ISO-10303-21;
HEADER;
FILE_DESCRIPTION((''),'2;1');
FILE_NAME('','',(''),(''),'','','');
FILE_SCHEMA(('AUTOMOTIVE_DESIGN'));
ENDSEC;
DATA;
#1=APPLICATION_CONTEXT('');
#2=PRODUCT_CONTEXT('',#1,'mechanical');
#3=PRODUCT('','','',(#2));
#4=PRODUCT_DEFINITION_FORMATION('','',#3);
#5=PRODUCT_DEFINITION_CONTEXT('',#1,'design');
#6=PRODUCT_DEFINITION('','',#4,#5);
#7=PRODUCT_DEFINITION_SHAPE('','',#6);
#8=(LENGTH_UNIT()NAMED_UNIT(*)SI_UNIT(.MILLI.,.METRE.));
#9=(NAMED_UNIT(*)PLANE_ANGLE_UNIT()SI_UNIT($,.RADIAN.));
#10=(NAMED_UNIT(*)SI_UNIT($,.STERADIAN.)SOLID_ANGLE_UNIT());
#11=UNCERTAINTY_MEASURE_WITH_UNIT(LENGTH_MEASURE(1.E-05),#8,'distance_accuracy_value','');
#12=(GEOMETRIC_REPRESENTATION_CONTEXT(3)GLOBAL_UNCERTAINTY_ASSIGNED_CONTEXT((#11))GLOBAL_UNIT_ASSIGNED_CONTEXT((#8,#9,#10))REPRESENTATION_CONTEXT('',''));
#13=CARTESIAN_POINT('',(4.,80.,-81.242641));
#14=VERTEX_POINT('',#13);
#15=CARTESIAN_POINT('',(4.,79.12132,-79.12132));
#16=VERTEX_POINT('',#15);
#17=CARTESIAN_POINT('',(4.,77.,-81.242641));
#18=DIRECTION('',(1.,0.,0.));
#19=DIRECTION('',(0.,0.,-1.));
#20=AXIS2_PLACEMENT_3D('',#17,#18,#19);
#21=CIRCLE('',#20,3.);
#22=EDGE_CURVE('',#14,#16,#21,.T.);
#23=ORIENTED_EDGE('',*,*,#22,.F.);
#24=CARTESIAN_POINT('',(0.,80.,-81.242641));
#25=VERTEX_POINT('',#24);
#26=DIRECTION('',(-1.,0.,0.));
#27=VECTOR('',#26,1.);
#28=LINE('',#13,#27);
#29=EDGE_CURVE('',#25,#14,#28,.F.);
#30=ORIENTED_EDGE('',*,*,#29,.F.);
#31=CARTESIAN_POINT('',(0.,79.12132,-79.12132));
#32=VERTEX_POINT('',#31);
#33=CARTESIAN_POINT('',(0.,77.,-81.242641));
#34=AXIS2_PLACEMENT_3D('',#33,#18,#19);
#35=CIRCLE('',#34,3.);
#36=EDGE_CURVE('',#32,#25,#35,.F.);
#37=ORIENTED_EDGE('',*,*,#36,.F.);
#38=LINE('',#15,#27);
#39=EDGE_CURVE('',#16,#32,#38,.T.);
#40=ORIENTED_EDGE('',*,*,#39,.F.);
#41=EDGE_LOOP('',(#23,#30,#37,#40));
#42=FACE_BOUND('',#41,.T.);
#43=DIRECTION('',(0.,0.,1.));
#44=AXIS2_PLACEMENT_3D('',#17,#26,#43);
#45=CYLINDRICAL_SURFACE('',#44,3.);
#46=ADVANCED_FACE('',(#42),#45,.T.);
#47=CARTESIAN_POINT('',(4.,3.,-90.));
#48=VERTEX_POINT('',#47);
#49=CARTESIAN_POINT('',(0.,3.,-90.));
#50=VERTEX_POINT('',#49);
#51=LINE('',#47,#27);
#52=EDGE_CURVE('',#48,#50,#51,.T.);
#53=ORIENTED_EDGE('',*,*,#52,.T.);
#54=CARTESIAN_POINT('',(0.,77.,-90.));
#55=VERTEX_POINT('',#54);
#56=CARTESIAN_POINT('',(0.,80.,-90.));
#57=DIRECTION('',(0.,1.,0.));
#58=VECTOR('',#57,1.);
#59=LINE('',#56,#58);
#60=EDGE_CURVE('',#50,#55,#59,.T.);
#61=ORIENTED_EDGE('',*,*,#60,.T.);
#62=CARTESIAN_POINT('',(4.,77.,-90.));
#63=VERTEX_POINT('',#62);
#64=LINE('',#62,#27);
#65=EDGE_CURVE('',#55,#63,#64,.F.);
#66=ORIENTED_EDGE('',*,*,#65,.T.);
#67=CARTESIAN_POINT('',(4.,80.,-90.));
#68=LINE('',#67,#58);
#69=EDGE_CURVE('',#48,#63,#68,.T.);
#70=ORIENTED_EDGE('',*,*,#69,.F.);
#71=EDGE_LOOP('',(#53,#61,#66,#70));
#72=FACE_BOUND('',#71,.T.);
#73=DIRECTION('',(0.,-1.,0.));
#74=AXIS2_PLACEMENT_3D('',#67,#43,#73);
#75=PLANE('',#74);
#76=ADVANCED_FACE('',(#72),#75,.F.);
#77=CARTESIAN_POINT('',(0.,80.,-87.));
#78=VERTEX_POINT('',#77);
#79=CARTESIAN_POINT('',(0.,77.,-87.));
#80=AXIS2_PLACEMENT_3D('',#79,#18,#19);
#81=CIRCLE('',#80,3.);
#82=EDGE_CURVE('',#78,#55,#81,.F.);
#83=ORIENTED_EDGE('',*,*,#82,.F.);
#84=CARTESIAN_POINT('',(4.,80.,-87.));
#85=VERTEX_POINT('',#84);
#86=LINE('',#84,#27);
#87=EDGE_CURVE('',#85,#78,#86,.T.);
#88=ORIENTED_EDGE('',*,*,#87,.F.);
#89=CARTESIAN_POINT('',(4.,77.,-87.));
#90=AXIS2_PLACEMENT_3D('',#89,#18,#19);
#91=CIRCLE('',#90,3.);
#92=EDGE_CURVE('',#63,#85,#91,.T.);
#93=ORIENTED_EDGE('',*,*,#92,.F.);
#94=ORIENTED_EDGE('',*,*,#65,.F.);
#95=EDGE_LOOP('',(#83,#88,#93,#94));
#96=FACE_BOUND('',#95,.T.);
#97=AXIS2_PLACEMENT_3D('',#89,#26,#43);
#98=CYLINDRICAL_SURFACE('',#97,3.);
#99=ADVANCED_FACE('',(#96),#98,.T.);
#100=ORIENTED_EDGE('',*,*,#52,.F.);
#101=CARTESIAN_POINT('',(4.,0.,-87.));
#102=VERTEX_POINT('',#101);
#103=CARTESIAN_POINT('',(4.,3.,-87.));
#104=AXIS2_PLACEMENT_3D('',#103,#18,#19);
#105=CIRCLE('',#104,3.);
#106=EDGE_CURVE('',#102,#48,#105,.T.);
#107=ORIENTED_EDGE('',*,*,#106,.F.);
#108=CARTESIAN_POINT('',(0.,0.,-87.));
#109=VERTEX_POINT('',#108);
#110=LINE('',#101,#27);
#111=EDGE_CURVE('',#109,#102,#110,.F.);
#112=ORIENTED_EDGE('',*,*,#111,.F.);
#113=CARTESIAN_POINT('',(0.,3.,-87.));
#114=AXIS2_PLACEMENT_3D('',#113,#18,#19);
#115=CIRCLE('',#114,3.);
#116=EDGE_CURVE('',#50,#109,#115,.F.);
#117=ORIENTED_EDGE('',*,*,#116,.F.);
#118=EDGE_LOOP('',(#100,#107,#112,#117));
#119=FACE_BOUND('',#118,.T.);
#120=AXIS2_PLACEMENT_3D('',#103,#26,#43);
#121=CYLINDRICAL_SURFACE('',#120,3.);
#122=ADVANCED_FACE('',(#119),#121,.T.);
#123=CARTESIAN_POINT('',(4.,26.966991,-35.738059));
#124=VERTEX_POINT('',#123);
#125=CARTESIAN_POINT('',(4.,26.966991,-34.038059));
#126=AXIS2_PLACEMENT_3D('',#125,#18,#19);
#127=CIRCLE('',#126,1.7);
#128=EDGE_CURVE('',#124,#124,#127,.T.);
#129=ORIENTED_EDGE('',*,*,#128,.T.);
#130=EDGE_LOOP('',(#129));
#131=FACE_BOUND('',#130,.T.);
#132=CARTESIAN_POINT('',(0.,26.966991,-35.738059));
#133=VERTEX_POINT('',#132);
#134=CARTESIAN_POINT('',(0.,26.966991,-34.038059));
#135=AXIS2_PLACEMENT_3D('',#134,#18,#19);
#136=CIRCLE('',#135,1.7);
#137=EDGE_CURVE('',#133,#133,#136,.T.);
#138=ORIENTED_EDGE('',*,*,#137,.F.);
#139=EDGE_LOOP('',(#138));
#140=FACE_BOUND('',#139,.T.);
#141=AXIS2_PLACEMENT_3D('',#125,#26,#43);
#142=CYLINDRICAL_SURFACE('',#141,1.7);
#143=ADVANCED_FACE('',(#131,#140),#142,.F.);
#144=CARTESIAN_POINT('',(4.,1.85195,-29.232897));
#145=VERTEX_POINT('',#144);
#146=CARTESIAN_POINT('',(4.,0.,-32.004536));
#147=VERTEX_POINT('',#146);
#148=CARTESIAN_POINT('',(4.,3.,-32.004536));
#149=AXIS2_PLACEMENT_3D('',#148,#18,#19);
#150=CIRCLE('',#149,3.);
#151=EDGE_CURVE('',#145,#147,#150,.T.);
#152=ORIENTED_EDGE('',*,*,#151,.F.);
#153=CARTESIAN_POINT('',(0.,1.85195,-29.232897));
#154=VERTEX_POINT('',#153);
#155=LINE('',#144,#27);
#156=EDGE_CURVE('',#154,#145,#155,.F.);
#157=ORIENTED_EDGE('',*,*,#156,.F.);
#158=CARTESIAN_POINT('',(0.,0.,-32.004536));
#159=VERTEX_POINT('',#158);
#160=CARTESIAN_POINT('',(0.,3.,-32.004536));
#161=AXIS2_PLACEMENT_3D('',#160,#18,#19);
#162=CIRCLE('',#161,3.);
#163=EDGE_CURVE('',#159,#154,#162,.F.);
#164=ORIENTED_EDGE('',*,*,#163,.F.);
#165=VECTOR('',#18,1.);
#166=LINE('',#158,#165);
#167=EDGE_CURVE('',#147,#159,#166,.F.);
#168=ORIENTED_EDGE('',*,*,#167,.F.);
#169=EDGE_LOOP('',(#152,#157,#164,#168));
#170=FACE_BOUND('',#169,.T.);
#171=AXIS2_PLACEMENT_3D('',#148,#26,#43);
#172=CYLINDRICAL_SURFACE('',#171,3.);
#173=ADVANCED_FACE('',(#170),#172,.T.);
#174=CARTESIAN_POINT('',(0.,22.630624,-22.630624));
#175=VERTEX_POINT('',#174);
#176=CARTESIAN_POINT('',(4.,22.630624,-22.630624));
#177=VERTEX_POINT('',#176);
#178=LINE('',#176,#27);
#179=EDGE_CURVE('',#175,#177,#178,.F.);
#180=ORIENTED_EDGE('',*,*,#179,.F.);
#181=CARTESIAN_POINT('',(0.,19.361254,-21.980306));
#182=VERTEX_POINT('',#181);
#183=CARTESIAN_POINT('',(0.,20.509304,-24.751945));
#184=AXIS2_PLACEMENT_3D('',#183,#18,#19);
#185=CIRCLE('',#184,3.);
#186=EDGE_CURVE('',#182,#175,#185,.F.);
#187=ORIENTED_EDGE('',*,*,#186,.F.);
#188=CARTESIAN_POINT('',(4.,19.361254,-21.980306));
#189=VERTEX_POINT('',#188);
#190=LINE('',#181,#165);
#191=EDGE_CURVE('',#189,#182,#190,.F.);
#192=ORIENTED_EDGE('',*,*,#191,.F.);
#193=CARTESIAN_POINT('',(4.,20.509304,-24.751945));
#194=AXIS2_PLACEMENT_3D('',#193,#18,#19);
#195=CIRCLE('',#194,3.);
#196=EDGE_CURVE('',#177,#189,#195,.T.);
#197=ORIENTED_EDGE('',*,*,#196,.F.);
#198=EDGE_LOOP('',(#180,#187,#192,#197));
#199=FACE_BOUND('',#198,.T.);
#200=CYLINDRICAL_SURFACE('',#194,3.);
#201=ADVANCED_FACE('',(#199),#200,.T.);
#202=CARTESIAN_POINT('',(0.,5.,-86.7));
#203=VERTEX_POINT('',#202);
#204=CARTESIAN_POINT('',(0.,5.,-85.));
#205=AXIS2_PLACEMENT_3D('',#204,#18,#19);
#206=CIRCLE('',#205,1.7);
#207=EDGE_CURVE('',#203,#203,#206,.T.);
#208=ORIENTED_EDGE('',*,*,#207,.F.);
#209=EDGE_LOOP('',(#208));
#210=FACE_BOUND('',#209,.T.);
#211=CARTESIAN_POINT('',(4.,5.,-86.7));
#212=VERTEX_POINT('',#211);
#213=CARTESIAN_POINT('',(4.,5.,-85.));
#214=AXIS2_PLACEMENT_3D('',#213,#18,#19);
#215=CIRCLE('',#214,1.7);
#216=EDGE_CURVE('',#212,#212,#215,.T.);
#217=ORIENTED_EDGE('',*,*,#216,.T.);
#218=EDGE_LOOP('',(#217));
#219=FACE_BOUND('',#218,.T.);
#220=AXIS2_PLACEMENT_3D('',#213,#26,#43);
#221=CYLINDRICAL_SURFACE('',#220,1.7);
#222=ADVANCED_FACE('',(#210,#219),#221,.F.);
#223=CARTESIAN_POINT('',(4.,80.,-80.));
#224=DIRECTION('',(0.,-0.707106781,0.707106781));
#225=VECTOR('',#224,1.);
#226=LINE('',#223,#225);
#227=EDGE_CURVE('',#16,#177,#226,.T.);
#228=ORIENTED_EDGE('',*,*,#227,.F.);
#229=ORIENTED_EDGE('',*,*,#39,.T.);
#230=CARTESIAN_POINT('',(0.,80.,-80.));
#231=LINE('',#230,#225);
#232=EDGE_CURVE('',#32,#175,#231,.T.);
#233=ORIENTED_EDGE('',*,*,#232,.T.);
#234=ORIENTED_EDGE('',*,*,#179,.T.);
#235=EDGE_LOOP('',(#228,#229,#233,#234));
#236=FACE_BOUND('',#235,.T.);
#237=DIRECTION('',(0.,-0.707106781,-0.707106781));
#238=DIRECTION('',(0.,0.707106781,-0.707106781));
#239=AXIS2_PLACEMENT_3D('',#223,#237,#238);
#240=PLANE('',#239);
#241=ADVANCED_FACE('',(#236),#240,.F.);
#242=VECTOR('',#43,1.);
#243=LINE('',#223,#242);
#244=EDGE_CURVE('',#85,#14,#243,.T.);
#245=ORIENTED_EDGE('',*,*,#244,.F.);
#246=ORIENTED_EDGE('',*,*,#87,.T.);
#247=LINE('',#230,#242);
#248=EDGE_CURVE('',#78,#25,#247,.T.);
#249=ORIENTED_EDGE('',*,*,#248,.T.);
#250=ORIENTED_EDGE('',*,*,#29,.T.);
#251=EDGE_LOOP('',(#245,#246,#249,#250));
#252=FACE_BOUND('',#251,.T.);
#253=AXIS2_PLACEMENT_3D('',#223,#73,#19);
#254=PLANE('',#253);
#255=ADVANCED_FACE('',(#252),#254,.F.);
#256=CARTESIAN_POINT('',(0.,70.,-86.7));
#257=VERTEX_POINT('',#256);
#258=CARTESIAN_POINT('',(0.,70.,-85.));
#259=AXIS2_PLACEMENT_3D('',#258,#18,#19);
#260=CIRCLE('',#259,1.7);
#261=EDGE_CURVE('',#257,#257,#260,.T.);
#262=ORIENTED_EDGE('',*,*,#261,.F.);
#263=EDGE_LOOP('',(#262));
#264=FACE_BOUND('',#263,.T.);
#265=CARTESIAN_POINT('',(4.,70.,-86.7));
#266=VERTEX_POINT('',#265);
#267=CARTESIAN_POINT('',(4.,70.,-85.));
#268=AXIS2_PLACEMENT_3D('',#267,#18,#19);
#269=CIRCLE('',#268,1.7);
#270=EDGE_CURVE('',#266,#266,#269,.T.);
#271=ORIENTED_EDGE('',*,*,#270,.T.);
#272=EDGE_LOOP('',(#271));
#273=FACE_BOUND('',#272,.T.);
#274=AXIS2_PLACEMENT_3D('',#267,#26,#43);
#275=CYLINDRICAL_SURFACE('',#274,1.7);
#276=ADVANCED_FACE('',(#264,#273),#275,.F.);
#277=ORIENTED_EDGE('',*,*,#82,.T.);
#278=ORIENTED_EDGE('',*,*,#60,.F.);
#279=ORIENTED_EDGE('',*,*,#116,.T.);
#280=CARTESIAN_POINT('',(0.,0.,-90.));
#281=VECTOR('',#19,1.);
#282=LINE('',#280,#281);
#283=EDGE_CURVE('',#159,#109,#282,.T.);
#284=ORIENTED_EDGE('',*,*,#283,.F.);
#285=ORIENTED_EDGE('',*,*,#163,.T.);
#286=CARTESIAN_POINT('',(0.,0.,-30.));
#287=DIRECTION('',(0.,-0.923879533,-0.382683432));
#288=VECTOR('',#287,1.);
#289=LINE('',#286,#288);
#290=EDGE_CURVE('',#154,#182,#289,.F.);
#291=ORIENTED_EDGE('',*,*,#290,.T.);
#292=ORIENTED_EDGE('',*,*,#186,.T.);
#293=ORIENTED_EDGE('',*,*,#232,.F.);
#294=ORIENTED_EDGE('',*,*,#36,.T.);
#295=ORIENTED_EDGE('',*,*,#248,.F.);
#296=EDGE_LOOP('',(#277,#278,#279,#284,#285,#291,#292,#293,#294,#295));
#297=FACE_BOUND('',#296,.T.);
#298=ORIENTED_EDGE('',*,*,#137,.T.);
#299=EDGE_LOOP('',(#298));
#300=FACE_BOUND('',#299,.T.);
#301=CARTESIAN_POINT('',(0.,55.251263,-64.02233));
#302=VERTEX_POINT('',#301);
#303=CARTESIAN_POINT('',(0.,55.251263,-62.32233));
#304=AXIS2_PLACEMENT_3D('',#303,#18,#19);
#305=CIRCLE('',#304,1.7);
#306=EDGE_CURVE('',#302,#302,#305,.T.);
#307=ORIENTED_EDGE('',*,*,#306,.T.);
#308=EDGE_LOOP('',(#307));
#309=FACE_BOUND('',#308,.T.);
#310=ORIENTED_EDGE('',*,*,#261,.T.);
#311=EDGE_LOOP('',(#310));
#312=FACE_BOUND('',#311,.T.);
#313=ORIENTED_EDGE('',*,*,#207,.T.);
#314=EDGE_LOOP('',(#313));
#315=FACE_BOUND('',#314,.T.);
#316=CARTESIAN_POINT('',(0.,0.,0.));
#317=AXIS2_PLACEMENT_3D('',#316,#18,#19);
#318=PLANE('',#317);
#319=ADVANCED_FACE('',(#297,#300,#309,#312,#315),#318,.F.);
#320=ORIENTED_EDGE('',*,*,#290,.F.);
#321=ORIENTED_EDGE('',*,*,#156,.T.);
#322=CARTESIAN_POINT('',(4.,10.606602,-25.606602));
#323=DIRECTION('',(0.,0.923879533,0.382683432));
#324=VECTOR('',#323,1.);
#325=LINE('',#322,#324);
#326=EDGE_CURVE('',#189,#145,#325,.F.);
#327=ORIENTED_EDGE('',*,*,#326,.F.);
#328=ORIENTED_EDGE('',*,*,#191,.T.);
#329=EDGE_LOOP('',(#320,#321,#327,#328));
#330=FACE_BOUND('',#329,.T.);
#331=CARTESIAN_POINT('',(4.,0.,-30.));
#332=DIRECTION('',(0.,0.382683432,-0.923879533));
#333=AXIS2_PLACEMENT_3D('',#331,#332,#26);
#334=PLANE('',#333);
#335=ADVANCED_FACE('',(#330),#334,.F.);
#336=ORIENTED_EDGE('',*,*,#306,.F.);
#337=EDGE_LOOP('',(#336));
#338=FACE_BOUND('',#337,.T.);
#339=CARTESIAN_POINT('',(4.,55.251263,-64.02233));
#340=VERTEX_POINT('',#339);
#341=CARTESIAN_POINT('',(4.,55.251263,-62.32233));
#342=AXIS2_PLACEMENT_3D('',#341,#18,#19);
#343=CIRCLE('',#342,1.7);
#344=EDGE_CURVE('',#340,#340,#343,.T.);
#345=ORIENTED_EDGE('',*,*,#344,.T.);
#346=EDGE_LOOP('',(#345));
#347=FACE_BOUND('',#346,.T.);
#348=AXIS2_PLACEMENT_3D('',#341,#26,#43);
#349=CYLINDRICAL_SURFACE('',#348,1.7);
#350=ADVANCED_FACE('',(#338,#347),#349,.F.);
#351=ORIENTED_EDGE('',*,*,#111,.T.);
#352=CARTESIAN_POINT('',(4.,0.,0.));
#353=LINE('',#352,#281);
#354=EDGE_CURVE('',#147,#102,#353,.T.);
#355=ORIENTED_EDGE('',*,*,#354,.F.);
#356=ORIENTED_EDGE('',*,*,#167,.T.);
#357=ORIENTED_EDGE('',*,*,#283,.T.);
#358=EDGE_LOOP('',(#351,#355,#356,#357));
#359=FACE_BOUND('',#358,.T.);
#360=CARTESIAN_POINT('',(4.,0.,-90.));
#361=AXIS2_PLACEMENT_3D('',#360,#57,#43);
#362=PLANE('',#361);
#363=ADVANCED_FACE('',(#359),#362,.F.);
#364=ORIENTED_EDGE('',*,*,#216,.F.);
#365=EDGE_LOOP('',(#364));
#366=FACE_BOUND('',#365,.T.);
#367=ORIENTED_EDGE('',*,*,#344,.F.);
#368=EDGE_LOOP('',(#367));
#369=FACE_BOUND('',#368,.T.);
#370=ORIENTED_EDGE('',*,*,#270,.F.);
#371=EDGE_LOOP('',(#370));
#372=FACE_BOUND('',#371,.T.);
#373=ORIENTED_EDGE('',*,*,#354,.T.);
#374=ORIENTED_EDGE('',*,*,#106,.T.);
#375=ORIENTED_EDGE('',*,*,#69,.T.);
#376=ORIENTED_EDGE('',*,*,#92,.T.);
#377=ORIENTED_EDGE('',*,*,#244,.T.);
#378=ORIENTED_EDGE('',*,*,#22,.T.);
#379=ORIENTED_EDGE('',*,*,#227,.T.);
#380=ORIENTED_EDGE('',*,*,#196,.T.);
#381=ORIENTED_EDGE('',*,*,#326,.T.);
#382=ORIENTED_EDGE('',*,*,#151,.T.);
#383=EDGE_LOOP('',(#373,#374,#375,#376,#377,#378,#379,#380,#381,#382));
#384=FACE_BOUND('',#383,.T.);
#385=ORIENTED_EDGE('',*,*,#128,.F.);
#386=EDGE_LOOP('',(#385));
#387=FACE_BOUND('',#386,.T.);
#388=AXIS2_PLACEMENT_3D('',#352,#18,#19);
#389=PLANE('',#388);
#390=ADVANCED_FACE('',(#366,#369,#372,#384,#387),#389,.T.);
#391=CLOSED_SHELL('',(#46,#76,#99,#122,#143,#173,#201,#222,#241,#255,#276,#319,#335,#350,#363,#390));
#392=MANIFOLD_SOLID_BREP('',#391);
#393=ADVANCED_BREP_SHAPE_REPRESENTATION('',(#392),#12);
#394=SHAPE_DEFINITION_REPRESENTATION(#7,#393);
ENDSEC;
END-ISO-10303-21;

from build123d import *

# Parameters (mm, degrees)
SKETCH_3_R      = 1.7
EXTRUDE_3_DEPTH = 4
CHAMFER_1_SIZE  = 30
FILLET_1_R      = 3


with BuildPart() as part:
    # 草图3 → 凸台-拉伸3 (new body)
    with BuildSketch(Plane(origin=(0, 0, 0), x_dir=(0, 0, -1), z_dir=(1, 0, 0))):
        Polygon((0, 0), (80, 0), (90, 0), (90, 80), (80, 80), align=None)
        with Locations((85, 5)):
            Circle(SKETCH_3_R, mode=Mode.SUBTRACT)
        with Locations((85, 70)):
            Circle(SKETCH_3_R, mode=Mode.SUBTRACT)
        with Locations((62.32233047, 55.251262658)):
            Circle(SKETCH_3_R, mode=Mode.SUBTRACT)
        with Locations((34.038059223, 26.966991411)):
            Circle(SKETCH_3_R, mode=Mode.SUBTRACT)
    extrude(amount=EXTRUDE_3_DEPTH)

    # 倒角1
    chamfer_1_edges = [part.edges().sort_by_distance(p)[0] for p in [
        (2, 0, 0),
    ]]
    chamfer(chamfer_1_edges, length=CHAMFER_1_SIZE)

    # 圆角1
    fillet_1_edges = [part.edges().sort_by_distance(p)[0] for p in [
        (2, 0, -30),
        (2, 21.213203436, -21.213203436),
        (2, 80, -80),
        (2, 80, -90),
        (2, 0, -90),
    ]]
    fillet(fillet_1_edges, radius=FILLET_1_R)


solid = part.part
